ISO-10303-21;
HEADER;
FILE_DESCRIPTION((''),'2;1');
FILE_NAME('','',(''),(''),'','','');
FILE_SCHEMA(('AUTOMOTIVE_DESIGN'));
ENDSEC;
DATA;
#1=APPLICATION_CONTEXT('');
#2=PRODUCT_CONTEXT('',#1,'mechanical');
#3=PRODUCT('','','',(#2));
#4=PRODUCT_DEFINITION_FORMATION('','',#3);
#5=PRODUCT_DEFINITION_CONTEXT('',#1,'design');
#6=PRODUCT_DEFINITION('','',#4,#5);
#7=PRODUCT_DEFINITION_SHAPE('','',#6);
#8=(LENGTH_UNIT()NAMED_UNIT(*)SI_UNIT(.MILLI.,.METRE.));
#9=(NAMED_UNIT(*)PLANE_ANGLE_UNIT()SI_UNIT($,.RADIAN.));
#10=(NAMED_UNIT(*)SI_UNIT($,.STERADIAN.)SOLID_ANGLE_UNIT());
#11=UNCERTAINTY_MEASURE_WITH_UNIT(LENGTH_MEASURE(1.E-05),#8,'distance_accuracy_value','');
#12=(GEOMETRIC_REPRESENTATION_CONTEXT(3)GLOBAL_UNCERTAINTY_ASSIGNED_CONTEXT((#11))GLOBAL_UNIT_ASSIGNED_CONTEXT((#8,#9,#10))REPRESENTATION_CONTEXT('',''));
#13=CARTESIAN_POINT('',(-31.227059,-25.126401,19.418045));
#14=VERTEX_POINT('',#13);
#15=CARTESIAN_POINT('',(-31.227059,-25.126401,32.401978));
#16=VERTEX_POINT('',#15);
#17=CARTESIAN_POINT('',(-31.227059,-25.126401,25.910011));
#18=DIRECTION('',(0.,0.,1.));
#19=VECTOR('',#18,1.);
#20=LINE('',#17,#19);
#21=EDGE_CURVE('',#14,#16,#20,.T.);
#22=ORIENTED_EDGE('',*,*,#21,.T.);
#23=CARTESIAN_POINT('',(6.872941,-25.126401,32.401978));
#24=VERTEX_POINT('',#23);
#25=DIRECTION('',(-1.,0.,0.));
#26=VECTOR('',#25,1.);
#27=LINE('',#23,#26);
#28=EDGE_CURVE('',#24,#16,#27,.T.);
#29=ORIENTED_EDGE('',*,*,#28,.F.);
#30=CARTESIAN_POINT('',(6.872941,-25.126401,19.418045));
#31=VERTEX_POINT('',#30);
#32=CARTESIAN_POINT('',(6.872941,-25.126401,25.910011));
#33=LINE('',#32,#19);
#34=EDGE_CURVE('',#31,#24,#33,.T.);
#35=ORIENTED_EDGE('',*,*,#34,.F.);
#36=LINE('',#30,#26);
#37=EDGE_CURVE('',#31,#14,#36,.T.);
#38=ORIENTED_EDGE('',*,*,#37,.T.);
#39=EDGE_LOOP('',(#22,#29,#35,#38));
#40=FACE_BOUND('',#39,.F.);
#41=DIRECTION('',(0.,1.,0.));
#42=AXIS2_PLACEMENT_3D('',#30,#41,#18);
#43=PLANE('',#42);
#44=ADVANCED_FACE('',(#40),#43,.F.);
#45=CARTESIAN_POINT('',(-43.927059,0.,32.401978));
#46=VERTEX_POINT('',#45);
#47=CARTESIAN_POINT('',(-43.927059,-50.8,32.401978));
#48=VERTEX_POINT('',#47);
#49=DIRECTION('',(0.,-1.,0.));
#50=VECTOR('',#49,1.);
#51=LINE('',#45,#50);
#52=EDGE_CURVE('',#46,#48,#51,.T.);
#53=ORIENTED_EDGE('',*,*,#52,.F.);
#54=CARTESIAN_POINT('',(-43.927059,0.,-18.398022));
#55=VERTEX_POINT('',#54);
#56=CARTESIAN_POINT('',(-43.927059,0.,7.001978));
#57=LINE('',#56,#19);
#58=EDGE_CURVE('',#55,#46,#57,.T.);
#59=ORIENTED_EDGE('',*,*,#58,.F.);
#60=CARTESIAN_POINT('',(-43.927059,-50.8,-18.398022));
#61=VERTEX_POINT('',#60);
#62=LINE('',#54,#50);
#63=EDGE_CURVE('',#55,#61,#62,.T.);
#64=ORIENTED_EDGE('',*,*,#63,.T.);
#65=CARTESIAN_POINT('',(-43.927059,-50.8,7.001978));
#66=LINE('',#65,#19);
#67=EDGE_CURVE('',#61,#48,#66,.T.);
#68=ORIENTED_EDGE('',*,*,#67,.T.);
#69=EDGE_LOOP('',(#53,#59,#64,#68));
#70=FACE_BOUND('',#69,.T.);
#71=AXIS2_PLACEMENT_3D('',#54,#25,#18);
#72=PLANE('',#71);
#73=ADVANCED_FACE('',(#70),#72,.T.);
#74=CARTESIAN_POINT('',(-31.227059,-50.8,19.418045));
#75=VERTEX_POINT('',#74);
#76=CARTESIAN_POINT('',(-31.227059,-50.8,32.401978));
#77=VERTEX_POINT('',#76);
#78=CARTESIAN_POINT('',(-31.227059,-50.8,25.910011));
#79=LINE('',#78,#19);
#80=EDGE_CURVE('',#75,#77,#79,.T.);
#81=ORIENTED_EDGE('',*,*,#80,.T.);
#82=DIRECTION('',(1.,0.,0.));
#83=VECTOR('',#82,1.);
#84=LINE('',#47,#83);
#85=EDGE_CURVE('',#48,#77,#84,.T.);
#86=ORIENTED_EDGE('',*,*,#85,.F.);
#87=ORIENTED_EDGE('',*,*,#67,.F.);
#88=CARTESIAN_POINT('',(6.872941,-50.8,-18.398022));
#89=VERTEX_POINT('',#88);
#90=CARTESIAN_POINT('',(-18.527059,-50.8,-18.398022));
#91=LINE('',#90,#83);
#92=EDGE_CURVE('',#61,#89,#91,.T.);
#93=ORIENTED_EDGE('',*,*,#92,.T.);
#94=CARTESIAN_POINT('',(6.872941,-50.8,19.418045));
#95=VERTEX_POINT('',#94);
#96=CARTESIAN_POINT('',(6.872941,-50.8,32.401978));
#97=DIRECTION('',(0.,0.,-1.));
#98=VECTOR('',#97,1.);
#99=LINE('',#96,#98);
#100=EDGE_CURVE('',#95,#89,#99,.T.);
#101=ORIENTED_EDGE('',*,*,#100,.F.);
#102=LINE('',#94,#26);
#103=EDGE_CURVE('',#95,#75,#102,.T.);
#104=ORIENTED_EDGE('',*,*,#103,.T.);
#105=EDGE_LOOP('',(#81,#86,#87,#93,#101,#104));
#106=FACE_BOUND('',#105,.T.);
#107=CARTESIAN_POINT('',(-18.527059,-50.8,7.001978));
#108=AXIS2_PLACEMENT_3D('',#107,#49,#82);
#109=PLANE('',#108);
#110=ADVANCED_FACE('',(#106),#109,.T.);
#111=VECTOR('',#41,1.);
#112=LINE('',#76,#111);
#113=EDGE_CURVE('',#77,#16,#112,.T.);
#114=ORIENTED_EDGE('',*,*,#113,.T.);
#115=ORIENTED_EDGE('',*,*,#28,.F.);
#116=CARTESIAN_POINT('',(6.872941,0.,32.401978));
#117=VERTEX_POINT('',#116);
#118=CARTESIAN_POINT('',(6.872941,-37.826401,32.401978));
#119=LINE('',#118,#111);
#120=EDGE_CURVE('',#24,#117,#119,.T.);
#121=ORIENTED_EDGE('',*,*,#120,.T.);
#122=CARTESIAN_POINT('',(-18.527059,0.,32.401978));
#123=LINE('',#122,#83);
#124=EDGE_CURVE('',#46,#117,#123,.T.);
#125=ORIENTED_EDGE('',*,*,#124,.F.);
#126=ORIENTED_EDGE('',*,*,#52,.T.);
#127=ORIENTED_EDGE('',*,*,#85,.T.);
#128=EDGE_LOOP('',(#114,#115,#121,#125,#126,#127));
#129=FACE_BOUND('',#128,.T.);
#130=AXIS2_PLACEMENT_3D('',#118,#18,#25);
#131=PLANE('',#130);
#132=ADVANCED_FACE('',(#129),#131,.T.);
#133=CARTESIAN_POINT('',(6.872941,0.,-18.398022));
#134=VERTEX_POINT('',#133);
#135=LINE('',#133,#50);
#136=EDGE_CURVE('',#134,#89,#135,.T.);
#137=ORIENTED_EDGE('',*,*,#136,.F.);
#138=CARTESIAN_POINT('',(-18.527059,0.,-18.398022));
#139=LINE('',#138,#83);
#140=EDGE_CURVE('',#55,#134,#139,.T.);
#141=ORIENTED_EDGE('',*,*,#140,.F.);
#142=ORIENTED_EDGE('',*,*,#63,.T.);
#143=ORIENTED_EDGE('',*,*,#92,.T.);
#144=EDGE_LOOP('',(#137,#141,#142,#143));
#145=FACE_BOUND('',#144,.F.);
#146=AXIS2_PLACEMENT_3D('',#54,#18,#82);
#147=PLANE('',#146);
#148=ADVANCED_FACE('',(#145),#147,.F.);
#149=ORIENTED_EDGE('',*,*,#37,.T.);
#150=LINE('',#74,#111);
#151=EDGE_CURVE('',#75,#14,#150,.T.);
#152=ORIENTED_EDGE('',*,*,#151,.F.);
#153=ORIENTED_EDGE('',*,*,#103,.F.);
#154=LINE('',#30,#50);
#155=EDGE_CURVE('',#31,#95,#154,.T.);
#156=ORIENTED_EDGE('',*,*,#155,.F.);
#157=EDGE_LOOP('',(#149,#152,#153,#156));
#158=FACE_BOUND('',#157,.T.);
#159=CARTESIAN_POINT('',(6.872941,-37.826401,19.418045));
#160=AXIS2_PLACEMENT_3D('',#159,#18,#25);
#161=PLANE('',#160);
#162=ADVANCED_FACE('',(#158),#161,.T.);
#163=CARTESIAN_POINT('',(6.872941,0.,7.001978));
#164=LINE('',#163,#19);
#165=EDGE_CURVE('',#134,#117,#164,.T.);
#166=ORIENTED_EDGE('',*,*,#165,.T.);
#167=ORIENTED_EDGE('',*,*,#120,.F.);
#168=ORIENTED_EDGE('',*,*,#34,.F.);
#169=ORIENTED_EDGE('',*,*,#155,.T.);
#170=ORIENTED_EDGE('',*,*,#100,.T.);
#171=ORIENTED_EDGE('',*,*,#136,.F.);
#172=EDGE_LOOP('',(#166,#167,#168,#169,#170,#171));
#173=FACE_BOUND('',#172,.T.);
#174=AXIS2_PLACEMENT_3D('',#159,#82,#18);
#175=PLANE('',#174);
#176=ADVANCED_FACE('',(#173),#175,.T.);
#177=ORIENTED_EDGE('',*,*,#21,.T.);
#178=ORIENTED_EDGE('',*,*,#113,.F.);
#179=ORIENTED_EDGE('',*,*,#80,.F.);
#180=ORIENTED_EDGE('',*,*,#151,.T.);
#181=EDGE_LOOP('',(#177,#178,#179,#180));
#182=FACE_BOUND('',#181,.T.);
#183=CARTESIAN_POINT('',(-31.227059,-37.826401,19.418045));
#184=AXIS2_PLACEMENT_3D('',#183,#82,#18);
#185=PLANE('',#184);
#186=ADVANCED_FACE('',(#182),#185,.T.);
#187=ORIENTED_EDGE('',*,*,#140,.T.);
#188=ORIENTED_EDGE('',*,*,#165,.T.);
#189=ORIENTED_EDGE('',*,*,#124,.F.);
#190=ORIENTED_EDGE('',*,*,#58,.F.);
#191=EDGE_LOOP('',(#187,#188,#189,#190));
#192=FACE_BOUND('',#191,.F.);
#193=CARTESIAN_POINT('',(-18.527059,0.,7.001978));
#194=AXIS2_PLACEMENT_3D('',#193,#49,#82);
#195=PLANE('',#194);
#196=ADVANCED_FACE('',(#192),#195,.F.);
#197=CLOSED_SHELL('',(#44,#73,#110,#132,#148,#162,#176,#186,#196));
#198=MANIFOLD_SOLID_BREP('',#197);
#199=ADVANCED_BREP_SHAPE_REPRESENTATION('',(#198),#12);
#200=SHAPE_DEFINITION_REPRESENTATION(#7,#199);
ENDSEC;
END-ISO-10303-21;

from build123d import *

# Parameters (mm, degrees)
F0_W     = 50.8
F0_H     = 50.8
F1_DEPTH = 50.8
F3_DEPTH = 38.1
F4_W     = 12.973598972
F4_H     = 12.9839326696
F5_DEPTH = 38.1
F6_DEPTH = 12.7
F7_DEPTH = 12.7


with BuildPart() as f1:
    # F0 (on Front) → F1 (new body)
    with BuildSketch(Plane.XZ):
        with Locations((-18.5270585775, 7.0019777209)):
            Rectangle(F0_W, F0_H)
    extrude(amount=F1_DEPTH)

    # F2 (on face) → F3 (cut)
    with BuildSketch(Plane.XZ.offset(50.8)):
        Polygon((6.8729414225, 32.4019777209), (6.8729414225, 17.4989413492), (25.4, 17.4989413492), (25.4, 42.8989413492), (0, 42.8989413492), (0, 32.4019777209), align=None)
    extrude(amount=-F3_DEPTH, mode=Mode.SUBTRACT)

    # F4 (on face) → F5 (cut)
    with BuildSketch(Plane.YZ.offset(6.8729414225)):
        with Locations((-44.313200514, 25.910011386)):
            Rectangle(F4_W, F4_H)
    extrude(amount=-F5_DEPTH, mode=Mode.SUBTRACT)

    # F6 (add): a face of the model
    f6_faces = [f1.faces().sort_by_distance(p)[0] for p in [
        (-12.1770585775, -37.826401028, 25.910011386),
    ]]
    extrude(f6_faces, amount=-F6_DEPTH)

    # F7 (cut): a face of the model
    f7_faces = [f1.faces().sort_by_distance(p)[0] for p in [
        (-12.1770585775, -37.826401028, 25.910011386),
    ]]
    extrude(f7_faces, amount=-F7_DEPTH, mode=Mode.SUBTRACT)


solid = f1.part
